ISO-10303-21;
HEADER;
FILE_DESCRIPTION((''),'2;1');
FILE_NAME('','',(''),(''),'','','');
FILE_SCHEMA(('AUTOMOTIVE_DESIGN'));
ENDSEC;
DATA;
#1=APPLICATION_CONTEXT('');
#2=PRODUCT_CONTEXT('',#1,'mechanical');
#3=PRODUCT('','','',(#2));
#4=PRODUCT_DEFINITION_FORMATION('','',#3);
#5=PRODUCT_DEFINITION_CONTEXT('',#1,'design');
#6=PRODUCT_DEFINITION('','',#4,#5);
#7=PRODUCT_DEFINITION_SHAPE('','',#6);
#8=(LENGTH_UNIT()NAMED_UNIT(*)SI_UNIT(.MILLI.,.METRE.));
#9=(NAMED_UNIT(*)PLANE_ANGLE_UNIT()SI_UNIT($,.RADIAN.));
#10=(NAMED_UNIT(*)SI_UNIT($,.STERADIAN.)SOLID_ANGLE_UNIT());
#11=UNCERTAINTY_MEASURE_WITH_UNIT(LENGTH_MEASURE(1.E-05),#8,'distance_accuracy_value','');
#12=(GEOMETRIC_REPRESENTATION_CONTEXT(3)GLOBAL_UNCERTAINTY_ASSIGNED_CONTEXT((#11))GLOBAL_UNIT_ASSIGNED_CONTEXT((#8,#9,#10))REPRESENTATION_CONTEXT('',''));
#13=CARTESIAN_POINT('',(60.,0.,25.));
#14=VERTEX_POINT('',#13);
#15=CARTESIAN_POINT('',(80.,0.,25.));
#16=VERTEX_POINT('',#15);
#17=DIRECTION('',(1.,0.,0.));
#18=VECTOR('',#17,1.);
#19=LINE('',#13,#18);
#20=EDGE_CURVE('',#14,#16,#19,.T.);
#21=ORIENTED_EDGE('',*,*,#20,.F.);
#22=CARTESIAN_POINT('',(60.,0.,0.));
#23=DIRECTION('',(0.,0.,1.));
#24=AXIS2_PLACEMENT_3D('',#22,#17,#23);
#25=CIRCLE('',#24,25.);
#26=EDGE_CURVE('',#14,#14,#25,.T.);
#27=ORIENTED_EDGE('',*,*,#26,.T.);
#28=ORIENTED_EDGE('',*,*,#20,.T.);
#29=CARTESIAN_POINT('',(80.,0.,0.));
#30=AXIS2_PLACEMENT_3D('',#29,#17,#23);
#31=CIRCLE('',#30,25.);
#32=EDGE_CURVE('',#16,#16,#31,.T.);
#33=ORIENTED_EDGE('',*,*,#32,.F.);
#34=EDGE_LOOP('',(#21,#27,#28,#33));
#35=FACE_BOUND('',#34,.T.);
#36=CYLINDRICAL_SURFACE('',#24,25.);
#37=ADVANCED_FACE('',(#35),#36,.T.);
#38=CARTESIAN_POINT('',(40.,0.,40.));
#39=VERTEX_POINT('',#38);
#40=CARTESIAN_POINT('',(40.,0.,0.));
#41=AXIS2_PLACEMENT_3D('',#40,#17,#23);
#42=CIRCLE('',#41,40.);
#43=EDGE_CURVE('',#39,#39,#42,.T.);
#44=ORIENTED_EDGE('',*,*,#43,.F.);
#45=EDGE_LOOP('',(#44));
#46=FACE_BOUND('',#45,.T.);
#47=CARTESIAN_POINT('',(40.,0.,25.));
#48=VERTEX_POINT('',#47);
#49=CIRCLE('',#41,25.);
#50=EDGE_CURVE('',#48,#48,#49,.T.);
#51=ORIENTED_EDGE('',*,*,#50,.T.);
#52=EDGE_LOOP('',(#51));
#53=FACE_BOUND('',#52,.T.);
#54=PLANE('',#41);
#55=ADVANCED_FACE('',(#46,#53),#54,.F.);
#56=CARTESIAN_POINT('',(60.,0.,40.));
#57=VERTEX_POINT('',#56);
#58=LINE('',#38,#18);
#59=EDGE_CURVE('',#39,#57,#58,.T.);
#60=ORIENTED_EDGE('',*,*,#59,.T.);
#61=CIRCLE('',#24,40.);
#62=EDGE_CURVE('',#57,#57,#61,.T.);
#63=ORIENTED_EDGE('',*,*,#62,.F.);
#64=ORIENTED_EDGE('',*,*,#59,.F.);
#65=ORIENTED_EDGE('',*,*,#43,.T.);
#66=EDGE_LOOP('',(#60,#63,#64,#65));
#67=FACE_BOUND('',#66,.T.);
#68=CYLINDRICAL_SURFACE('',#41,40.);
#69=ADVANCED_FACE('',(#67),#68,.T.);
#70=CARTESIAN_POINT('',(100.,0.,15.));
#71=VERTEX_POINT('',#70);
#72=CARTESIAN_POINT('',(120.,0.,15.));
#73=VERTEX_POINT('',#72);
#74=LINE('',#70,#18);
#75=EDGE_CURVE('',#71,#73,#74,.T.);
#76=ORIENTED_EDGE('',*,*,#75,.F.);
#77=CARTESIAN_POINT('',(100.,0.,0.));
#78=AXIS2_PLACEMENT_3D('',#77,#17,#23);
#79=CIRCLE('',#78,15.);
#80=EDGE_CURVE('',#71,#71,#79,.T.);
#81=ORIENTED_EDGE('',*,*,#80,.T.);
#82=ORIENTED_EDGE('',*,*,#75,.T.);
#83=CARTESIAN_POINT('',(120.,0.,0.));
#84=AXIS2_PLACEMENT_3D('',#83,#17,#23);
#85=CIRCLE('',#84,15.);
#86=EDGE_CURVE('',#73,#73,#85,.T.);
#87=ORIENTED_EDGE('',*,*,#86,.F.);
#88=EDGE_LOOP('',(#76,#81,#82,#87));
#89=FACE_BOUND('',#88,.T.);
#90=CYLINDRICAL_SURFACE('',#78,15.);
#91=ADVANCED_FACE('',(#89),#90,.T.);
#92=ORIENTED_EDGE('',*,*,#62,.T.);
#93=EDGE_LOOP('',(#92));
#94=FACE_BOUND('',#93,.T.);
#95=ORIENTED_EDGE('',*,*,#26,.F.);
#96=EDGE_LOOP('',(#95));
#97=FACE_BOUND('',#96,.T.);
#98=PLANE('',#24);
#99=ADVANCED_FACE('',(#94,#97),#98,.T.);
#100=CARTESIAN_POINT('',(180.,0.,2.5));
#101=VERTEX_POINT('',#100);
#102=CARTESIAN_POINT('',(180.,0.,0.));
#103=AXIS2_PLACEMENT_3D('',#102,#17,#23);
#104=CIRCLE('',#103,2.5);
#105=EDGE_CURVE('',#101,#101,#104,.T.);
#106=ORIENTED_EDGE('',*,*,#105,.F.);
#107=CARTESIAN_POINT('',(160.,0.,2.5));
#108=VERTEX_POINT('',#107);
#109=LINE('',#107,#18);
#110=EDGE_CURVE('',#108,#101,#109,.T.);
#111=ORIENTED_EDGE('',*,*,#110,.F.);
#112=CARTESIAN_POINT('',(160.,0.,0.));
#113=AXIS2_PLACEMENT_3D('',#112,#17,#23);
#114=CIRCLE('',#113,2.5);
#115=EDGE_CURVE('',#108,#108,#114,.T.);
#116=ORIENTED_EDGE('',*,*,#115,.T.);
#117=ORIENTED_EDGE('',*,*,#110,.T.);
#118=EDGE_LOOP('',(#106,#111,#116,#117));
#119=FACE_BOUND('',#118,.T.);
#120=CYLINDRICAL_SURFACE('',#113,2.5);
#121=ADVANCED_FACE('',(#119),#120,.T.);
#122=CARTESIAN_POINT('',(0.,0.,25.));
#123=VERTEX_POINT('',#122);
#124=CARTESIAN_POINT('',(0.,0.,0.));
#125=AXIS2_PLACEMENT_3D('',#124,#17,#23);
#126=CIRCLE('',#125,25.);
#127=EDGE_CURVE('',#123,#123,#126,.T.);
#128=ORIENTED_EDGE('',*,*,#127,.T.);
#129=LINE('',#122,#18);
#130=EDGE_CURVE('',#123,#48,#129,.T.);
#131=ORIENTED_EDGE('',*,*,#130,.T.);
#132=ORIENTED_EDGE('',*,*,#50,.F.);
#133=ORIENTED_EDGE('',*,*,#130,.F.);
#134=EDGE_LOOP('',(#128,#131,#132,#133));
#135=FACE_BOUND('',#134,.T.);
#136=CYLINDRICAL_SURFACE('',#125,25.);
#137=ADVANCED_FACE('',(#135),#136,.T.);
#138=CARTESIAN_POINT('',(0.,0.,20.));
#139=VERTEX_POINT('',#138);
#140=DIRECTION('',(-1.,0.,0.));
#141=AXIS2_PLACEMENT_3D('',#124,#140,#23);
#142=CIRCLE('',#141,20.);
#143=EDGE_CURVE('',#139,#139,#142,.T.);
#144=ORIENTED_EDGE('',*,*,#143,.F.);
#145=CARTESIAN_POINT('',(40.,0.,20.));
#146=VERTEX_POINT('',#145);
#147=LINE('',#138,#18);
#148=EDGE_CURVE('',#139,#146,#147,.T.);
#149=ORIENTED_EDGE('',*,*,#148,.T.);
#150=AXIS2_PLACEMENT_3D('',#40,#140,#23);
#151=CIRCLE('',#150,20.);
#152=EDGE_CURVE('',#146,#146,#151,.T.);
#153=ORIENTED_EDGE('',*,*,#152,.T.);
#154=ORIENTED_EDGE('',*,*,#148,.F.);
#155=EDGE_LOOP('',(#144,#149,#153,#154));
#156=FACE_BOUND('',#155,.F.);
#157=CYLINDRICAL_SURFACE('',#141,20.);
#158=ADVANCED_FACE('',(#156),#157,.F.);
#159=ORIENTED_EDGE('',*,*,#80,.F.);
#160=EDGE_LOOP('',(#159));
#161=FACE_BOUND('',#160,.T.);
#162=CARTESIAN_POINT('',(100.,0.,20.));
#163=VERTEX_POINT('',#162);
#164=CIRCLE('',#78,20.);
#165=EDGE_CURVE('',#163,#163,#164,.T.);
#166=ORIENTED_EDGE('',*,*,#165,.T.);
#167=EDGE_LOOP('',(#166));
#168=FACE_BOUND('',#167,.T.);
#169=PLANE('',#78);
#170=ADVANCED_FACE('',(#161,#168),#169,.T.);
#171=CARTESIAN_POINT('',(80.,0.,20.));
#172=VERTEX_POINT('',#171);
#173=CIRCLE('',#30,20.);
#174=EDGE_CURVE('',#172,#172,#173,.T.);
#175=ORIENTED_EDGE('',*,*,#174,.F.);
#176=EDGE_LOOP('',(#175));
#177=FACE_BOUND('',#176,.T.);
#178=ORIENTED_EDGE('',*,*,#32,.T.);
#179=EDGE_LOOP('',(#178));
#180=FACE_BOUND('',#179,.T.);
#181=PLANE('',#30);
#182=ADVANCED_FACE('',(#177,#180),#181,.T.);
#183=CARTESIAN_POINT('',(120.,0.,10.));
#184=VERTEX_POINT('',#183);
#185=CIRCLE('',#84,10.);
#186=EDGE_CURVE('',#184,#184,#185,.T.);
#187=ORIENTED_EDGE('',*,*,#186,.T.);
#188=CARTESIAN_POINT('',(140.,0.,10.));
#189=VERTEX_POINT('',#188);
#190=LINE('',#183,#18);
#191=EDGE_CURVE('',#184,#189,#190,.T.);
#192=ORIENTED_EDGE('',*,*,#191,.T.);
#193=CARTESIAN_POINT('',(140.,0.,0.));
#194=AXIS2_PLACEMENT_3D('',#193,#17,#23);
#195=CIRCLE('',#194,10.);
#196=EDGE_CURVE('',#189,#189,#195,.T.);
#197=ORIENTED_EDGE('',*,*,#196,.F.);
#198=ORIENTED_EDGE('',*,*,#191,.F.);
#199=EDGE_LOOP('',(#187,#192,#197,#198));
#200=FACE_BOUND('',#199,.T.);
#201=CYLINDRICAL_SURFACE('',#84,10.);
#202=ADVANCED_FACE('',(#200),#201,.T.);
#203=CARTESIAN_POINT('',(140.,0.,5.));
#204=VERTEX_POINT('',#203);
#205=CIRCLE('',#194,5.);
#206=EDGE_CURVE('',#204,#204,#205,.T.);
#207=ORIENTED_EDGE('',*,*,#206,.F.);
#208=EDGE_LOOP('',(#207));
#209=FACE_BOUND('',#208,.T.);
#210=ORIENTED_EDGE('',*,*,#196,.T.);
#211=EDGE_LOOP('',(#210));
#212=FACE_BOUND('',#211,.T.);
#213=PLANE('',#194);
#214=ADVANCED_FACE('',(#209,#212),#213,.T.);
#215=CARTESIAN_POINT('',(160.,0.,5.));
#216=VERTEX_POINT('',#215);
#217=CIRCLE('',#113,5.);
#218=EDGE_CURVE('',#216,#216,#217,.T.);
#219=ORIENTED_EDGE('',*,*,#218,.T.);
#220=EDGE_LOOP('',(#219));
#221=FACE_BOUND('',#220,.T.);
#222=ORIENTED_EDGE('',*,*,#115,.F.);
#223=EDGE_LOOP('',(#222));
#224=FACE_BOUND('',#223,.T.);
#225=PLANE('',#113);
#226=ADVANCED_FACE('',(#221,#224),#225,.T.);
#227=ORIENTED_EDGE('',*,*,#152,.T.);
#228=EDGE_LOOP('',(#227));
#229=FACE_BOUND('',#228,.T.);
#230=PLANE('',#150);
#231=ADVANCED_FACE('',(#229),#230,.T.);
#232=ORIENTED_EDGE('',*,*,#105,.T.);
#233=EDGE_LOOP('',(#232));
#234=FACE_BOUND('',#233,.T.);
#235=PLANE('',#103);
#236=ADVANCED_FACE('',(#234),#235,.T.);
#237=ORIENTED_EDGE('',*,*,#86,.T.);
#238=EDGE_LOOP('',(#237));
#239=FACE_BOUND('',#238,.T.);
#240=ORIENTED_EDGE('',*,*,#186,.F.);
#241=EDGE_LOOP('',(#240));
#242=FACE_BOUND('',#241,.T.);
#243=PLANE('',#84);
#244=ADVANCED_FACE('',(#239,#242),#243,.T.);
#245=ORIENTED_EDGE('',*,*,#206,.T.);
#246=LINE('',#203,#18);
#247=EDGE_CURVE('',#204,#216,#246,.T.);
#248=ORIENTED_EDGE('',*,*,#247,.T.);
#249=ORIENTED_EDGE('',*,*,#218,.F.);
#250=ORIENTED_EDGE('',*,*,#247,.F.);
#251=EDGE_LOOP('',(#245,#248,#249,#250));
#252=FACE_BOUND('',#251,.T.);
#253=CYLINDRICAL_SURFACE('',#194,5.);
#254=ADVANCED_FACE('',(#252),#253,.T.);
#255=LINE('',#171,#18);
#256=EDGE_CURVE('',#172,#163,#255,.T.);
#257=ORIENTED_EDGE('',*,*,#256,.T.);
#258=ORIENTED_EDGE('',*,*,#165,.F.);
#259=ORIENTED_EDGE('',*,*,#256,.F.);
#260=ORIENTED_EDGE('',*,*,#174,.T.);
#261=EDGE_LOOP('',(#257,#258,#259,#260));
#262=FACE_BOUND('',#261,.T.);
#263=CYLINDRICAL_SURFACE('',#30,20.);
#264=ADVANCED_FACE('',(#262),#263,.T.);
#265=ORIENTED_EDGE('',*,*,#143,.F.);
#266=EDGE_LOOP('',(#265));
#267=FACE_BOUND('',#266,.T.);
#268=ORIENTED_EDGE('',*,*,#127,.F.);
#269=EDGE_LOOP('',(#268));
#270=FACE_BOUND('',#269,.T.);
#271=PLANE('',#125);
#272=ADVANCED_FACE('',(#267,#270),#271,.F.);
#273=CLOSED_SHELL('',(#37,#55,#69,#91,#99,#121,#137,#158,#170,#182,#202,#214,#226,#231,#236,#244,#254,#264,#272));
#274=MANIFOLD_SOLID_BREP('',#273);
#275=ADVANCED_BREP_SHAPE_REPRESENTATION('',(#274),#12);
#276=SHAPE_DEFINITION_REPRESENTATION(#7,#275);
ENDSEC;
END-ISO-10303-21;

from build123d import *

# Parameters (mm, degrees)
SKETCH2_R          = 20
CUT_EXTRUDE1_DEPTH = 40


with BuildPart() as part:
    # Sketch1 → Revolve1 (revolve)
    with BuildSketch(Plane.XY, mode=Mode.PRIVATE) as revolve1_sk:
        Polygon((0, 0), (0, 25), (40, 25), (40, 40), (60, 40), (60, 25), (80, 25), (80, 20), (100, 20), (100, 15), (120, 15), (120, 10), (140, 10), (140, 5), (160, 5), (160, 2.5), (180, 2.5), (180, 0), align=None)
    revolve(revolve1_sk.sketch.rotate(Axis((-116.666666667, 0, 0), (1, 0, 0)), 90), axis=Axis((-116.666666667, 0, 0), (1, 0, 0)))  # turned: the seam where the file's is

    # Sketch2 → Cut-Extrude1 (cut)
    with BuildSketch(Plane.ZY):
        Circle(SKETCH2_R)
    extrude(amount=-CUT_EXTRUDE1_DEPTH, mode=Mode.SUBTRACT)


solid = part.part
